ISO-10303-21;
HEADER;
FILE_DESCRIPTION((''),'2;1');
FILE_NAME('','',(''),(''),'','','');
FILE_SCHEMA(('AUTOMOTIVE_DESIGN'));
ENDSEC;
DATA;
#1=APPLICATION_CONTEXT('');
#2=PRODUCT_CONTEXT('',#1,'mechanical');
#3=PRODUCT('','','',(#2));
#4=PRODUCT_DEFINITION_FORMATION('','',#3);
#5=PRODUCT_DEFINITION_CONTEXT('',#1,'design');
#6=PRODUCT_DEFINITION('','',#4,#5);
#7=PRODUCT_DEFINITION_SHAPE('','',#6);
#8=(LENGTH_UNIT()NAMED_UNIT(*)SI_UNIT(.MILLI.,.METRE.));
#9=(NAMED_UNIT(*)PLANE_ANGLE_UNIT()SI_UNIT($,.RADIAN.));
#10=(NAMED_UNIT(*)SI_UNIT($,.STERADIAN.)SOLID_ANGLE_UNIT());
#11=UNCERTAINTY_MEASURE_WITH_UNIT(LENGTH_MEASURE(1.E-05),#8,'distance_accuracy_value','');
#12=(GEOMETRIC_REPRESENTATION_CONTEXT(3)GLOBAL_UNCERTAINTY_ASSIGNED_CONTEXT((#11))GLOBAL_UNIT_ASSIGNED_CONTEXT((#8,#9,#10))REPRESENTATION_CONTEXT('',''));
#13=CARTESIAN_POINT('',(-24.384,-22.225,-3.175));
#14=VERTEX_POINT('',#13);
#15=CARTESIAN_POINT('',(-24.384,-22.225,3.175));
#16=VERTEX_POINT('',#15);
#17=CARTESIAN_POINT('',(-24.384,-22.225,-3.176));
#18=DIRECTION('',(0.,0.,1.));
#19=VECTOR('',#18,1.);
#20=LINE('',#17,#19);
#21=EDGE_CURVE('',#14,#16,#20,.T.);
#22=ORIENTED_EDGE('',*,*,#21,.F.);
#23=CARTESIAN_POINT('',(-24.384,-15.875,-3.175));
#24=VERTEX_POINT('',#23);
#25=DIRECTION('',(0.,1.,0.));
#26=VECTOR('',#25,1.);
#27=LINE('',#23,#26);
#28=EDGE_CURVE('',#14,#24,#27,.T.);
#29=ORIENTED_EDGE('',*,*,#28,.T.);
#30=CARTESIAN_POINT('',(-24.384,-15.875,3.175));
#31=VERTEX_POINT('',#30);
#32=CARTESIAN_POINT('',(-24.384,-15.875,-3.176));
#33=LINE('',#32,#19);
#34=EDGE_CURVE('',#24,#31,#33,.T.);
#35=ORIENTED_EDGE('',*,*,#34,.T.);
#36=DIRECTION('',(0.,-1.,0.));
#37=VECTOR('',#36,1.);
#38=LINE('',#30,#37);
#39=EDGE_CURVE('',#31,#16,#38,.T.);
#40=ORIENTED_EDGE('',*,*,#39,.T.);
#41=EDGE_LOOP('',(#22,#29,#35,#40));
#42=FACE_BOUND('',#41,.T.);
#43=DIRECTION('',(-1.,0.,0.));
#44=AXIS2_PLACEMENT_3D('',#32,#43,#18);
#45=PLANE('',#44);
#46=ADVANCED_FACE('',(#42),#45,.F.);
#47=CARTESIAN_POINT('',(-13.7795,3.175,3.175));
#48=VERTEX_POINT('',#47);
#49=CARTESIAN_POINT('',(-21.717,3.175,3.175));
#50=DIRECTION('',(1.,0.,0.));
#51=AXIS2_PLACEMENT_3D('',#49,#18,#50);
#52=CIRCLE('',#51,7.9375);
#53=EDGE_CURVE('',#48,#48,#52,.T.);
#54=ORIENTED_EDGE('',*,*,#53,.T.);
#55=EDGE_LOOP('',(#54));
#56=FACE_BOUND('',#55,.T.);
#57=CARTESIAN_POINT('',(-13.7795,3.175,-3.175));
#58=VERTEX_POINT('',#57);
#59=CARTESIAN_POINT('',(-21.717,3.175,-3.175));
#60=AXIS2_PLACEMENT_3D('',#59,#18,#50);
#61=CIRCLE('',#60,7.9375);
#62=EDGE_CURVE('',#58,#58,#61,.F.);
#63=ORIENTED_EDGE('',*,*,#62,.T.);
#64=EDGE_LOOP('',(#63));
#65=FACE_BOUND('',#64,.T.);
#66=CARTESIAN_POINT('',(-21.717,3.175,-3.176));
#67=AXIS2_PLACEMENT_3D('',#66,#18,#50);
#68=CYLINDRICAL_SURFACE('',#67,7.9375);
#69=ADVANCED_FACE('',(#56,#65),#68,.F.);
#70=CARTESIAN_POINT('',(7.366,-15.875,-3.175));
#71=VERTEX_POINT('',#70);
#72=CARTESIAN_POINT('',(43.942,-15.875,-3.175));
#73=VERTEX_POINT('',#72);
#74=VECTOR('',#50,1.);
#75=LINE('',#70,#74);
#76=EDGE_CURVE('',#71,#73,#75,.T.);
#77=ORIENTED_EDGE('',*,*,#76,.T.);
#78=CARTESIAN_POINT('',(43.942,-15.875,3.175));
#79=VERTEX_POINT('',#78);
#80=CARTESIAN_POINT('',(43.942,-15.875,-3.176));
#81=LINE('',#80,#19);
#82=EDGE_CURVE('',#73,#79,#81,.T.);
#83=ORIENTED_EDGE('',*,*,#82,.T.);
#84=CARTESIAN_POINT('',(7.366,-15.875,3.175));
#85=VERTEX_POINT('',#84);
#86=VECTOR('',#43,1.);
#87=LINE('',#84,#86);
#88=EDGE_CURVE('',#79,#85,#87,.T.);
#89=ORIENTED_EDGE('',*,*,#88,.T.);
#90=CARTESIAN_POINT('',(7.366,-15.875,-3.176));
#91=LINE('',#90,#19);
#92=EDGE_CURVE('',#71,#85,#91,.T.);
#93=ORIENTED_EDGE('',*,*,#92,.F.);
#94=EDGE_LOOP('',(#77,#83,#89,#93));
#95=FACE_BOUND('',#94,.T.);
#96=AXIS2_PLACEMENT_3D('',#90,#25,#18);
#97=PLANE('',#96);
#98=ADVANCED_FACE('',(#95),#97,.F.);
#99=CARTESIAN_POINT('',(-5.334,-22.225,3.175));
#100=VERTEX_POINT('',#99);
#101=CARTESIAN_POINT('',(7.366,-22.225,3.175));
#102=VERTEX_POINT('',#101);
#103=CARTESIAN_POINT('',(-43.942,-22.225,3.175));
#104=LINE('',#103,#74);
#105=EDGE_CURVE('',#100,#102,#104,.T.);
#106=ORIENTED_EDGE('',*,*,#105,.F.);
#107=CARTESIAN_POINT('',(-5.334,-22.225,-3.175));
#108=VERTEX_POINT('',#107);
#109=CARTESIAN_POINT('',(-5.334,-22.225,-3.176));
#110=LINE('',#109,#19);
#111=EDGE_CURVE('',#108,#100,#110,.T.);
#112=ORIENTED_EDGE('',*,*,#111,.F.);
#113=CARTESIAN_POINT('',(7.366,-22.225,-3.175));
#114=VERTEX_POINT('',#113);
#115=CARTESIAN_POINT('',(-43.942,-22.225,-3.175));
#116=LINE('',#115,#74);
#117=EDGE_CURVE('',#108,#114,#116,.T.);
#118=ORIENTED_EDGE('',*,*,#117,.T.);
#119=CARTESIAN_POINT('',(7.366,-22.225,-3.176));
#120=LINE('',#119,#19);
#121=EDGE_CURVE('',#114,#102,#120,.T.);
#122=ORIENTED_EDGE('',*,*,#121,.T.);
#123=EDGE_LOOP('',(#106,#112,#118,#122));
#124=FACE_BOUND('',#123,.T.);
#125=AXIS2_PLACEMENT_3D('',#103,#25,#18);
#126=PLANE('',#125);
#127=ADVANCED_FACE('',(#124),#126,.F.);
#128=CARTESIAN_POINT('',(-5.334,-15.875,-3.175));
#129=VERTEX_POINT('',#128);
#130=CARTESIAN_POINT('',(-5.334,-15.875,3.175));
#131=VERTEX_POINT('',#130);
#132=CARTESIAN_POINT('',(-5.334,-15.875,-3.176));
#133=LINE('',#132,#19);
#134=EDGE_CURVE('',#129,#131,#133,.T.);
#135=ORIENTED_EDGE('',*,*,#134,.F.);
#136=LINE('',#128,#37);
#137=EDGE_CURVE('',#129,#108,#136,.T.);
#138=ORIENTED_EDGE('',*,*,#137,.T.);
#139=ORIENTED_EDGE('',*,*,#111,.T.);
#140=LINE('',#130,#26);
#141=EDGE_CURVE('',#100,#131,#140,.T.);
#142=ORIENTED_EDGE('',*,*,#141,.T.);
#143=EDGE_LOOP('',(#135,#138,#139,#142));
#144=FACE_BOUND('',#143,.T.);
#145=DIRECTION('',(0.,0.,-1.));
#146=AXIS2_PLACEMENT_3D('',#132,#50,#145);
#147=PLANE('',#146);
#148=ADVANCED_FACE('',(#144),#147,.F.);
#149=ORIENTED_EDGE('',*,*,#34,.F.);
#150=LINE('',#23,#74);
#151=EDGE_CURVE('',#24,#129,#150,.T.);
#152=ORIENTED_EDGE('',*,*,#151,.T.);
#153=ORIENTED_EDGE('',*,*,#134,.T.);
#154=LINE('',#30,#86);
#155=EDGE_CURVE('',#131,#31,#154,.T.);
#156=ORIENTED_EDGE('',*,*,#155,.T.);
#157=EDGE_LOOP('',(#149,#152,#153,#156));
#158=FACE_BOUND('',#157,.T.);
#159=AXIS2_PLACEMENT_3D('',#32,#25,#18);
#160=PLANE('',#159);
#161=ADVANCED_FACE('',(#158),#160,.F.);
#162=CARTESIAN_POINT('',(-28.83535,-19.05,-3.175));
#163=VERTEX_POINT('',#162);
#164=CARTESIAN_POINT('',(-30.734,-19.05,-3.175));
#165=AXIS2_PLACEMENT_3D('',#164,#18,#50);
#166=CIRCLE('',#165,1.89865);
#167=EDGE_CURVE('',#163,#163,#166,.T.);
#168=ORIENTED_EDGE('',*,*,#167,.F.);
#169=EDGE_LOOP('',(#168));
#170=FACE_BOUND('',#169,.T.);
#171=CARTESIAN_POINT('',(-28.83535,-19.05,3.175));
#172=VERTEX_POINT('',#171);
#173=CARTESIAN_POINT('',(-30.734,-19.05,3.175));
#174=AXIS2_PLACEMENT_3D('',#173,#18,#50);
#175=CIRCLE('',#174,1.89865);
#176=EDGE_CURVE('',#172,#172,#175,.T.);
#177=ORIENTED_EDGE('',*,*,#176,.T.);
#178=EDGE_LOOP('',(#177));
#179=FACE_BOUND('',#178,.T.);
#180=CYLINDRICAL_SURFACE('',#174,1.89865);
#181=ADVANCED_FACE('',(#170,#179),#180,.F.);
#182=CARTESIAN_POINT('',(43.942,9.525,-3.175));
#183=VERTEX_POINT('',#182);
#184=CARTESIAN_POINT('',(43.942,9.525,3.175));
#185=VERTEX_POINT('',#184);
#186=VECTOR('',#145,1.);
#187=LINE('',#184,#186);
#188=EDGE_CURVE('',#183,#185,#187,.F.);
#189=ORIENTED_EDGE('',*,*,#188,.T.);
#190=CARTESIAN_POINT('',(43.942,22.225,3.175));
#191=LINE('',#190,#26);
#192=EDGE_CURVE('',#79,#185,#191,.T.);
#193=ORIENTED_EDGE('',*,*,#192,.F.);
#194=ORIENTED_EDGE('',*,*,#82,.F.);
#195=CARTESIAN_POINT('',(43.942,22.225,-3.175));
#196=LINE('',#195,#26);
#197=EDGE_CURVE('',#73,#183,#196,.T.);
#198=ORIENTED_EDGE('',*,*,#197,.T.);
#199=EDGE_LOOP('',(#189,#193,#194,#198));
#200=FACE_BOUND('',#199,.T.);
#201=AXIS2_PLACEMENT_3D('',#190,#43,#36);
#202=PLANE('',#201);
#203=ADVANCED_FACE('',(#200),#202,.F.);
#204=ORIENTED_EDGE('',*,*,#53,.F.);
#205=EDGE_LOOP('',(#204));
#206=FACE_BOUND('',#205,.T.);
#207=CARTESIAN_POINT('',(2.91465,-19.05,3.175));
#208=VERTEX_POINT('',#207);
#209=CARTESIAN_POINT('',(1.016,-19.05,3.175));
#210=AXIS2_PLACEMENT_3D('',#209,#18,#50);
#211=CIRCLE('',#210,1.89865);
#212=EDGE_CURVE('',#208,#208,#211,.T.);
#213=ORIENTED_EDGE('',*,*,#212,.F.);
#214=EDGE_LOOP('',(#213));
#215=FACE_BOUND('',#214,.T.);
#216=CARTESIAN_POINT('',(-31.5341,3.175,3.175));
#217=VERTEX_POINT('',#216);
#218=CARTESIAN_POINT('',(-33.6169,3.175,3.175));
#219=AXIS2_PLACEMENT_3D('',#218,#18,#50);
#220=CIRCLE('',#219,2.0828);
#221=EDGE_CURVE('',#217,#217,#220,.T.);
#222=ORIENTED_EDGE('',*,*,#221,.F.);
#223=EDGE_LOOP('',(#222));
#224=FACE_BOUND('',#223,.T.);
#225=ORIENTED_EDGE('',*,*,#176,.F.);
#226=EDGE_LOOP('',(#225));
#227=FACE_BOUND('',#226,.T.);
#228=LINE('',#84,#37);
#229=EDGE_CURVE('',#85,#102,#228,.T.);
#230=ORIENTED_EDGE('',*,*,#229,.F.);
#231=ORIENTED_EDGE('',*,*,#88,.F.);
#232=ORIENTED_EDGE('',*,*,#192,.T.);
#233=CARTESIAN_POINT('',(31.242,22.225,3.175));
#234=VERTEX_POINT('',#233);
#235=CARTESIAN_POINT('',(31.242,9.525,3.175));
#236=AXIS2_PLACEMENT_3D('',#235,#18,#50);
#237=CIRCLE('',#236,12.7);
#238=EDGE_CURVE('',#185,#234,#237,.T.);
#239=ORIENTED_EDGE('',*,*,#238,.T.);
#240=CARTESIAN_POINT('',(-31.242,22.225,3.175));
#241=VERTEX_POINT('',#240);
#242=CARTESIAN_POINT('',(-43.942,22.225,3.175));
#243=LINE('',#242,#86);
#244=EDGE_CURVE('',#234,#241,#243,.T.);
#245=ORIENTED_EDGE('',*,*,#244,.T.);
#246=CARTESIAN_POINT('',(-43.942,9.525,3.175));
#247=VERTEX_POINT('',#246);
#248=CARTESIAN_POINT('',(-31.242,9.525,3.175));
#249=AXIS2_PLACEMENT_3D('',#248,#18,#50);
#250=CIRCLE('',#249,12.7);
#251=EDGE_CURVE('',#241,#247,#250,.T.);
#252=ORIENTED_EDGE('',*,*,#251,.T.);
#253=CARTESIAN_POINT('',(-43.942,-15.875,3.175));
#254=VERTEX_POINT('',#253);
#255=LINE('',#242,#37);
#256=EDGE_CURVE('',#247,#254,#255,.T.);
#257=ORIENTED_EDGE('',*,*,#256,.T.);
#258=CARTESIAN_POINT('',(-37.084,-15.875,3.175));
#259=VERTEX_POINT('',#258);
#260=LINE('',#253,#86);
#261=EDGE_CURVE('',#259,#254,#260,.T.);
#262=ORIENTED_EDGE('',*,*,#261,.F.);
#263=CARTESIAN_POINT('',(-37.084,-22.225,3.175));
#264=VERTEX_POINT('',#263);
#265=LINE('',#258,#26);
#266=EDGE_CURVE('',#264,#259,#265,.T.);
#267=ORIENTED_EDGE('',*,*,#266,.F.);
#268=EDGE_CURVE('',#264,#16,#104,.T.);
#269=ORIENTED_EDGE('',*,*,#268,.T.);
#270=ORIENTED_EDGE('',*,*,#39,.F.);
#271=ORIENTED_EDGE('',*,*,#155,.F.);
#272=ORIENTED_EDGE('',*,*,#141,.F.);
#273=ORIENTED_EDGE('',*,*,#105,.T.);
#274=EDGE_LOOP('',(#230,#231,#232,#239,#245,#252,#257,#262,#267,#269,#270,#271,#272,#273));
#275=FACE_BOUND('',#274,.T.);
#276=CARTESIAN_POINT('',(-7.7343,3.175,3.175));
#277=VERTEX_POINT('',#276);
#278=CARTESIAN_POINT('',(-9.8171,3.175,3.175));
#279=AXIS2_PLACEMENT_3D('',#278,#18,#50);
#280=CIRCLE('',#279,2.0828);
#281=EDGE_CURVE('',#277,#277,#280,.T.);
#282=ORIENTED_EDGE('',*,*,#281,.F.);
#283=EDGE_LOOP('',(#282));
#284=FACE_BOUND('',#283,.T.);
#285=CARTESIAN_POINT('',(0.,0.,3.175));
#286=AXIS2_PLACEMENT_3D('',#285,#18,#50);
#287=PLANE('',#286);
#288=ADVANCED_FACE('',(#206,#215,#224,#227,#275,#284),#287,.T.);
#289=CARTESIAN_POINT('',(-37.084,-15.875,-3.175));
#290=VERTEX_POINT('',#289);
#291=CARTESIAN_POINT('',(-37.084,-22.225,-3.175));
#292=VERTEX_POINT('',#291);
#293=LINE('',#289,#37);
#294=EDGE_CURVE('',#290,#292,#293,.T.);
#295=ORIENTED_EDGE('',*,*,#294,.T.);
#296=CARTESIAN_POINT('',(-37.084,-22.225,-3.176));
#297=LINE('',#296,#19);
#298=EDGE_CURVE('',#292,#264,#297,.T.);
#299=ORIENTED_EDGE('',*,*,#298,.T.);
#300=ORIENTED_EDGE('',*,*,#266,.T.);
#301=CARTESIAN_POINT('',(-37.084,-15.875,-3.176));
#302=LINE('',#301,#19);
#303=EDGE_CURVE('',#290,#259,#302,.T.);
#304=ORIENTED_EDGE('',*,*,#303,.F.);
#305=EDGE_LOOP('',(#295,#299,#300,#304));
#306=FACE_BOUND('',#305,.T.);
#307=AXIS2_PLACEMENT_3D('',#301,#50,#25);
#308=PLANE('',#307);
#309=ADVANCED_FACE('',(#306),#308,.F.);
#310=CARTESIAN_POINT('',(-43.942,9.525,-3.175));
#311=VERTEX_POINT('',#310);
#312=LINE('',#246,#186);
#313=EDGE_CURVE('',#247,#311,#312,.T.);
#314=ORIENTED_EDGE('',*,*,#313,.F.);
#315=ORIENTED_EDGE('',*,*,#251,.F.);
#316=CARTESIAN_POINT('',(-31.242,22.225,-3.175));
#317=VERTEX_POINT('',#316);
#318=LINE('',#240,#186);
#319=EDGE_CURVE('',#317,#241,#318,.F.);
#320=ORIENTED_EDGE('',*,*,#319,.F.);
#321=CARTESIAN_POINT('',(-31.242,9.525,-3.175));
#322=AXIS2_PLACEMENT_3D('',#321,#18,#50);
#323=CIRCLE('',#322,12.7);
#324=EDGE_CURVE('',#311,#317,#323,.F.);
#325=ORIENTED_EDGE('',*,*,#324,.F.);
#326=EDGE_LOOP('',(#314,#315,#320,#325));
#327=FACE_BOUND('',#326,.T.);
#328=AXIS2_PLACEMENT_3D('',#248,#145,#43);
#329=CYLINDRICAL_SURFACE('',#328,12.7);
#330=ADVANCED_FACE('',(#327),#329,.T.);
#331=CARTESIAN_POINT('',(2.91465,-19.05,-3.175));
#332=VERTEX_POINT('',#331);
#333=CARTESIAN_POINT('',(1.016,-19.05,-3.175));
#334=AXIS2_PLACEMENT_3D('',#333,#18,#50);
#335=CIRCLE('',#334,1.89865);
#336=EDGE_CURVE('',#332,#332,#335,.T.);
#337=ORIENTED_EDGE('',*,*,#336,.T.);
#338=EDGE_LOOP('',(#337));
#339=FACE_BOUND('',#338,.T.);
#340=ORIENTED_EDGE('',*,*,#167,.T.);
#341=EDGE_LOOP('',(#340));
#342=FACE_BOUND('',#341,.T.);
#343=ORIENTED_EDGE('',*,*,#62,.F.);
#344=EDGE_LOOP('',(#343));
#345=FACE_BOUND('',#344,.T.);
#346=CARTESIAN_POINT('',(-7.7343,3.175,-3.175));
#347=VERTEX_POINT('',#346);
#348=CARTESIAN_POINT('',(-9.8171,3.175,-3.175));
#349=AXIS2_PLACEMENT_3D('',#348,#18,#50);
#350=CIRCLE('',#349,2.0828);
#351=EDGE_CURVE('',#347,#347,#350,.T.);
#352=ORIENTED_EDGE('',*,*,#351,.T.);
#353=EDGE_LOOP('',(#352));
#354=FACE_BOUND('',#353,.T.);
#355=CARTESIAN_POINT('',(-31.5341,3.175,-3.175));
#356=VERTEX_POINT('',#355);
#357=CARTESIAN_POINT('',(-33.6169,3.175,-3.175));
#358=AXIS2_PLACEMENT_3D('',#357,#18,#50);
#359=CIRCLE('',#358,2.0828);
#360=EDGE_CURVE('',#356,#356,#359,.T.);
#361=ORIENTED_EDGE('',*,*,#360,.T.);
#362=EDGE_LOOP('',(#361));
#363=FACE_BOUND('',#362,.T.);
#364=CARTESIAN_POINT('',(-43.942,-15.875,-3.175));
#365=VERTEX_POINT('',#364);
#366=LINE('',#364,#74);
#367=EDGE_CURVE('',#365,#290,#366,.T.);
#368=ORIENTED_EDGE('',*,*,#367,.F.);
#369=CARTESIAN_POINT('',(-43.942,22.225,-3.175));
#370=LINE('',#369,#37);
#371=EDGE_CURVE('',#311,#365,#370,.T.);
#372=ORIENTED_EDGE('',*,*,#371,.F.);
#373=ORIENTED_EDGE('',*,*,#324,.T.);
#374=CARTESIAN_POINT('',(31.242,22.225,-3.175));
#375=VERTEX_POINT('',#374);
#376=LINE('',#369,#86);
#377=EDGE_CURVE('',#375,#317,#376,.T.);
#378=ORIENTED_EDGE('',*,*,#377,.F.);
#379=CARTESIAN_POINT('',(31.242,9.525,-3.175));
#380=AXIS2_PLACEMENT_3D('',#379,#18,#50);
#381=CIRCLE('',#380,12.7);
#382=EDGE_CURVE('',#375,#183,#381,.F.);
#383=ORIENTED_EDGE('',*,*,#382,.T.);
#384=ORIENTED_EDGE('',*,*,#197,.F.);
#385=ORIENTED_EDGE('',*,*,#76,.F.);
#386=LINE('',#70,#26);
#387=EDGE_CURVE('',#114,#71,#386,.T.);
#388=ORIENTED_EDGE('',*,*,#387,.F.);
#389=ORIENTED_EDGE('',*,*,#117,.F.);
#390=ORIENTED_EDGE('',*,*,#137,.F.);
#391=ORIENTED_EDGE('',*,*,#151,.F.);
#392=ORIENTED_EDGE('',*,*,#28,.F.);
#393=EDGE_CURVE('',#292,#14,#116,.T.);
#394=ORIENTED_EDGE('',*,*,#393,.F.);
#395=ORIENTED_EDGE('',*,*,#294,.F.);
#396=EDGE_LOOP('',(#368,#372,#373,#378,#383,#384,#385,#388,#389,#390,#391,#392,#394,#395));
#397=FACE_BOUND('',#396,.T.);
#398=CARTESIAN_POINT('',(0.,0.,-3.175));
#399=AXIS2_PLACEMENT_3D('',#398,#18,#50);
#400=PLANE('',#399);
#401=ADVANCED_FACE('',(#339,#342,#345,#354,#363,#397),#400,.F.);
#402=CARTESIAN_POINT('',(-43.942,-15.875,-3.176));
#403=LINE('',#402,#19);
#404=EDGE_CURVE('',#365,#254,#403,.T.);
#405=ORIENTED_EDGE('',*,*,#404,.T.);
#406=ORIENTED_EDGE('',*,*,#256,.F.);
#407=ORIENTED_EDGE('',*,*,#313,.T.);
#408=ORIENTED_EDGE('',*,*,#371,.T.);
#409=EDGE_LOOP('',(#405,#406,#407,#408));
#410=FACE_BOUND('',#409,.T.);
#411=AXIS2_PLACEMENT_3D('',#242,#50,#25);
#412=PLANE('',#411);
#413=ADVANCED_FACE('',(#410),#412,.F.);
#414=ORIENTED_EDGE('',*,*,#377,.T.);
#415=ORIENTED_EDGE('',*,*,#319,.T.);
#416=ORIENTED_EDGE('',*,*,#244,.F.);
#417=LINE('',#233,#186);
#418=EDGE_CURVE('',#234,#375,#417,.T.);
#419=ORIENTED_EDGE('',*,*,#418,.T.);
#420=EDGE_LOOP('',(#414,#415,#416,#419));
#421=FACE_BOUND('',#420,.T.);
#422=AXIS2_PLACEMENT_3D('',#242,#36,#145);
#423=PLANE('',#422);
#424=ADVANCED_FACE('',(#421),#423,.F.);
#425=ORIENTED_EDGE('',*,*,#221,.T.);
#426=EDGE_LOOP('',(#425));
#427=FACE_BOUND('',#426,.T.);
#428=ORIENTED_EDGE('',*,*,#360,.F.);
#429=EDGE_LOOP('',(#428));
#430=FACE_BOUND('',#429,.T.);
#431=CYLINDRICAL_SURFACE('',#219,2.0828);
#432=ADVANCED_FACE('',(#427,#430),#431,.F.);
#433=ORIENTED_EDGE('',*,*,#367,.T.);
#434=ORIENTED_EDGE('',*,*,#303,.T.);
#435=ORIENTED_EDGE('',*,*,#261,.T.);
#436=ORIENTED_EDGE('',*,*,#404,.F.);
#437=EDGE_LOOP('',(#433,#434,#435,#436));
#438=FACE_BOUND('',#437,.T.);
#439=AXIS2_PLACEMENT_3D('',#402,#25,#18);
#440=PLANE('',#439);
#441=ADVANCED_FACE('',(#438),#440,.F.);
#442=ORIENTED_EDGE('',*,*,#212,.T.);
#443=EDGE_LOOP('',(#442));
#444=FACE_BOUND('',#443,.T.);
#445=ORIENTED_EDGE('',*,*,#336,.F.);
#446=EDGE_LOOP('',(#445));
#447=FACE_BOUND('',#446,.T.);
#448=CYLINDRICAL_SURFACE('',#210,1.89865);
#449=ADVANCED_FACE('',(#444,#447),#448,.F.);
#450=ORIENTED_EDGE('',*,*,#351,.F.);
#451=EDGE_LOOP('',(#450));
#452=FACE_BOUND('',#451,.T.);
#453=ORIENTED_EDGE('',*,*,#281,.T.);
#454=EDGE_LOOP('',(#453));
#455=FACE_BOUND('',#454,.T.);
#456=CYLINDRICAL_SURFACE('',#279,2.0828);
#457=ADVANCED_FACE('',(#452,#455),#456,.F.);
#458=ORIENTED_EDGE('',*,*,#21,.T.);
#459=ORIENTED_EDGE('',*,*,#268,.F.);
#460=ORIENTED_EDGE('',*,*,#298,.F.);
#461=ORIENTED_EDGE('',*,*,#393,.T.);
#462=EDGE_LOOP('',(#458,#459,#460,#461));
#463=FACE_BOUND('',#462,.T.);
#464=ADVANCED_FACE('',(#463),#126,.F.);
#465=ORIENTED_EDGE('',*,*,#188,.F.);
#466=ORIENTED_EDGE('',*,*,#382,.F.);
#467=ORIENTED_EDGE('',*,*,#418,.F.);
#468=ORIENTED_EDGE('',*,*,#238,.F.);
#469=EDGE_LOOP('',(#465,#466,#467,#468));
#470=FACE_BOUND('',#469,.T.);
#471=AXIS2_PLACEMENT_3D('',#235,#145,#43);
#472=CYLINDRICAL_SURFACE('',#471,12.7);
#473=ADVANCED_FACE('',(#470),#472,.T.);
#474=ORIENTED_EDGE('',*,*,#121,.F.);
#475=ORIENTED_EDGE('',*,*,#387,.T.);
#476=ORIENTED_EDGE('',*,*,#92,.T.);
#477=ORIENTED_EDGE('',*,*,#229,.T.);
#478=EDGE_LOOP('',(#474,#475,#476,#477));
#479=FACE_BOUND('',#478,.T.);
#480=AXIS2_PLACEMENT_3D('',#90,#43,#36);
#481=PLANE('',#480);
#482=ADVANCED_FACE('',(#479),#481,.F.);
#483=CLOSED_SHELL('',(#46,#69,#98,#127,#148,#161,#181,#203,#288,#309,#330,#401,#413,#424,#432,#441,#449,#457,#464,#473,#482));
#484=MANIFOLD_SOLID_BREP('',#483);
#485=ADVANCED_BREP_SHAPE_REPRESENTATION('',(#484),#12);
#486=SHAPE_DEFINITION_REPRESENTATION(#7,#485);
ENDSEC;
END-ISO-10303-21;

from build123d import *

# Parameters (mm, degrees)
SKETCH2_W                 = 87.884
SKETCH2_H                 = 44.45
BOSS_EXTRUDE1_DEPTH       = 3.175
CUT_EXTRUDE1_REACH        = 51.651
SKETCH3_R                 = 7.9375
F_8_CLEARANCE_HOLE1_D     = 4.1656
CIRPATTERN1_COUNT         = 2
CUT_EXTRUDE2_REACH        = 51.651
SKETCH6_W                 = 6.858
SKETCH6_H                 = 6.35
SKETCH6_W_2               = 19.05
SKETCH6_W_3               = 36.576
F_6_CLEARANCE_HOLE1_D     = 3.7973
F_6_CLEARANCE_HOLE1_DEPTH = 6.35
F_6_CLEARANCE_HOLE1_TIP   = 1.140824014
FILLET1_R                 = 12.7


with BuildPart() as part:
    # Sketch2 → Boss-Extrude1 (new, symmetric)
    with BuildSketch(Plane.XY):
        Rectangle(SKETCH2_W, SKETCH2_H)
    extrude(amount=BOSS_EXTRUDE1_DEPTH, both=True)

    # Sketch3 → Cut-Extrude1 (cut, up to next)
    with BuildSketch(Plane.XY.offset(3.175), mode=Mode.PRIVATE) as cut_extrude1_sk1:
        with Locations((-21.717, 3.175)):
            Circle(SKETCH3_R)
    cut_extrude1_tool1 = extrude(cut_extrude1_sk1.sketch, amount=-CUT_EXTRUDE1_REACH, mode=Mode.PRIVATE) & part.part
    add(cut_extrude1_tool1.solids().sort_by_distance((-21.717, 3.175, 3.175))[0], mode=Mode.SUBTRACT)

    # #8 Clearance Hole1 (through all)
    with Locations(Plane.XY.offset(3.175)):
        with Locations((-33.6169, 3.175)):
            f_8_clearance_hole1 = Hole(F_8_CLEARANCE_HOLE1_D / 2)

    # CirPattern1: #8 Clearance Hole1 ×2 about axis
    cirpattern1_axis = Axis((-21.717, 3.175, 0), (0, 0, 1))
    for i in range(1, CIRPATTERN1_COUNT):
        add(f_8_clearance_hole1.rotate(cirpattern1_axis, i * 360 / CIRPATTERN1_COUNT), mode=Mode.SUBTRACT)

    # Sketch6 → Cut-Extrude2 (cut, up to next)
    with BuildSketch(Plane.XY.offset(3.175), mode=Mode.PRIVATE) as cut_extrude2_sk1:
        with Locations((-40.513, -19.05)):
            Rectangle(SKETCH6_W, SKETCH6_H)
    cut_extrude2_tool1 = extrude(cut_extrude2_sk1.sketch, amount=-CUT_EXTRUDE2_REACH, mode=Mode.PRIVATE) & part.part
    # Sketch6 → Cut-Extrude2 (cut, up to next)
    with BuildSketch(Plane.XY.offset(3.175), mode=Mode.PRIVATE) as cut_extrude2_sk2:
        with Locations((-14.859, -19.05)):
            Rectangle(SKETCH6_W_2, SKETCH6_H)
    cut_extrude2_tool2 = extrude(cut_extrude2_sk2.sketch, amount=-CUT_EXTRUDE2_REACH, mode=Mode.PRIVATE) & part.part
    # Sketch6 → Cut-Extrude2 (cut, up to next)
    with BuildSketch(Plane.XY.offset(3.175), mode=Mode.PRIVATE) as cut_extrude2_sk3:
        with Locations((25.654, -19.05)):
            Rectangle(SKETCH6_W_3, SKETCH6_H)
    cut_extrude2_tool3 = extrude(cut_extrude2_sk3.sketch, amount=-CUT_EXTRUDE2_REACH, mode=Mode.PRIVATE) & part.part
    add(cut_extrude2_tool1.solids().sort_by_distance((-40.513, -19.05, 3.175))[0], mode=Mode.SUBTRACT)
    add(cut_extrude2_tool2.solids().sort_by_distance((-14.859, -19.05, 3.175))[0], mode=Mode.SUBTRACT)
    add(cut_extrude2_tool3.solids().sort_by_distance((25.654, -19.05, 3.175))[0], mode=Mode.SUBTRACT)

    # #6 Clearance Hole1
    with Locations(Plane.XY.offset(3.175)):
        with Locations((1.016, -19.05), (-30.734, -19.05)):
            Hole(F_6_CLEARANCE_HOLE1_D / 2, depth=F_6_CLEARANCE_HOLE1_DEPTH)
            with Locations((0, 0, -(F_6_CLEARANCE_HOLE1_DEPTH + F_6_CLEARANCE_HOLE1_TIP / 2))):  # 118° drill point
                Cone(0, F_6_CLEARANCE_HOLE1_D / 2, F_6_CLEARANCE_HOLE1_TIP, mode=Mode.SUBTRACT)

    # Fillet1
    fillet1_edges = [part.edges().sort_by_distance(p)[0] for p in [
        (-43.942, 22.225, 0),
        (43.942, 22.225, 0),
    ]]
    fillet(fillet1_edges, radius=FILLET1_R)


solid = part.part
